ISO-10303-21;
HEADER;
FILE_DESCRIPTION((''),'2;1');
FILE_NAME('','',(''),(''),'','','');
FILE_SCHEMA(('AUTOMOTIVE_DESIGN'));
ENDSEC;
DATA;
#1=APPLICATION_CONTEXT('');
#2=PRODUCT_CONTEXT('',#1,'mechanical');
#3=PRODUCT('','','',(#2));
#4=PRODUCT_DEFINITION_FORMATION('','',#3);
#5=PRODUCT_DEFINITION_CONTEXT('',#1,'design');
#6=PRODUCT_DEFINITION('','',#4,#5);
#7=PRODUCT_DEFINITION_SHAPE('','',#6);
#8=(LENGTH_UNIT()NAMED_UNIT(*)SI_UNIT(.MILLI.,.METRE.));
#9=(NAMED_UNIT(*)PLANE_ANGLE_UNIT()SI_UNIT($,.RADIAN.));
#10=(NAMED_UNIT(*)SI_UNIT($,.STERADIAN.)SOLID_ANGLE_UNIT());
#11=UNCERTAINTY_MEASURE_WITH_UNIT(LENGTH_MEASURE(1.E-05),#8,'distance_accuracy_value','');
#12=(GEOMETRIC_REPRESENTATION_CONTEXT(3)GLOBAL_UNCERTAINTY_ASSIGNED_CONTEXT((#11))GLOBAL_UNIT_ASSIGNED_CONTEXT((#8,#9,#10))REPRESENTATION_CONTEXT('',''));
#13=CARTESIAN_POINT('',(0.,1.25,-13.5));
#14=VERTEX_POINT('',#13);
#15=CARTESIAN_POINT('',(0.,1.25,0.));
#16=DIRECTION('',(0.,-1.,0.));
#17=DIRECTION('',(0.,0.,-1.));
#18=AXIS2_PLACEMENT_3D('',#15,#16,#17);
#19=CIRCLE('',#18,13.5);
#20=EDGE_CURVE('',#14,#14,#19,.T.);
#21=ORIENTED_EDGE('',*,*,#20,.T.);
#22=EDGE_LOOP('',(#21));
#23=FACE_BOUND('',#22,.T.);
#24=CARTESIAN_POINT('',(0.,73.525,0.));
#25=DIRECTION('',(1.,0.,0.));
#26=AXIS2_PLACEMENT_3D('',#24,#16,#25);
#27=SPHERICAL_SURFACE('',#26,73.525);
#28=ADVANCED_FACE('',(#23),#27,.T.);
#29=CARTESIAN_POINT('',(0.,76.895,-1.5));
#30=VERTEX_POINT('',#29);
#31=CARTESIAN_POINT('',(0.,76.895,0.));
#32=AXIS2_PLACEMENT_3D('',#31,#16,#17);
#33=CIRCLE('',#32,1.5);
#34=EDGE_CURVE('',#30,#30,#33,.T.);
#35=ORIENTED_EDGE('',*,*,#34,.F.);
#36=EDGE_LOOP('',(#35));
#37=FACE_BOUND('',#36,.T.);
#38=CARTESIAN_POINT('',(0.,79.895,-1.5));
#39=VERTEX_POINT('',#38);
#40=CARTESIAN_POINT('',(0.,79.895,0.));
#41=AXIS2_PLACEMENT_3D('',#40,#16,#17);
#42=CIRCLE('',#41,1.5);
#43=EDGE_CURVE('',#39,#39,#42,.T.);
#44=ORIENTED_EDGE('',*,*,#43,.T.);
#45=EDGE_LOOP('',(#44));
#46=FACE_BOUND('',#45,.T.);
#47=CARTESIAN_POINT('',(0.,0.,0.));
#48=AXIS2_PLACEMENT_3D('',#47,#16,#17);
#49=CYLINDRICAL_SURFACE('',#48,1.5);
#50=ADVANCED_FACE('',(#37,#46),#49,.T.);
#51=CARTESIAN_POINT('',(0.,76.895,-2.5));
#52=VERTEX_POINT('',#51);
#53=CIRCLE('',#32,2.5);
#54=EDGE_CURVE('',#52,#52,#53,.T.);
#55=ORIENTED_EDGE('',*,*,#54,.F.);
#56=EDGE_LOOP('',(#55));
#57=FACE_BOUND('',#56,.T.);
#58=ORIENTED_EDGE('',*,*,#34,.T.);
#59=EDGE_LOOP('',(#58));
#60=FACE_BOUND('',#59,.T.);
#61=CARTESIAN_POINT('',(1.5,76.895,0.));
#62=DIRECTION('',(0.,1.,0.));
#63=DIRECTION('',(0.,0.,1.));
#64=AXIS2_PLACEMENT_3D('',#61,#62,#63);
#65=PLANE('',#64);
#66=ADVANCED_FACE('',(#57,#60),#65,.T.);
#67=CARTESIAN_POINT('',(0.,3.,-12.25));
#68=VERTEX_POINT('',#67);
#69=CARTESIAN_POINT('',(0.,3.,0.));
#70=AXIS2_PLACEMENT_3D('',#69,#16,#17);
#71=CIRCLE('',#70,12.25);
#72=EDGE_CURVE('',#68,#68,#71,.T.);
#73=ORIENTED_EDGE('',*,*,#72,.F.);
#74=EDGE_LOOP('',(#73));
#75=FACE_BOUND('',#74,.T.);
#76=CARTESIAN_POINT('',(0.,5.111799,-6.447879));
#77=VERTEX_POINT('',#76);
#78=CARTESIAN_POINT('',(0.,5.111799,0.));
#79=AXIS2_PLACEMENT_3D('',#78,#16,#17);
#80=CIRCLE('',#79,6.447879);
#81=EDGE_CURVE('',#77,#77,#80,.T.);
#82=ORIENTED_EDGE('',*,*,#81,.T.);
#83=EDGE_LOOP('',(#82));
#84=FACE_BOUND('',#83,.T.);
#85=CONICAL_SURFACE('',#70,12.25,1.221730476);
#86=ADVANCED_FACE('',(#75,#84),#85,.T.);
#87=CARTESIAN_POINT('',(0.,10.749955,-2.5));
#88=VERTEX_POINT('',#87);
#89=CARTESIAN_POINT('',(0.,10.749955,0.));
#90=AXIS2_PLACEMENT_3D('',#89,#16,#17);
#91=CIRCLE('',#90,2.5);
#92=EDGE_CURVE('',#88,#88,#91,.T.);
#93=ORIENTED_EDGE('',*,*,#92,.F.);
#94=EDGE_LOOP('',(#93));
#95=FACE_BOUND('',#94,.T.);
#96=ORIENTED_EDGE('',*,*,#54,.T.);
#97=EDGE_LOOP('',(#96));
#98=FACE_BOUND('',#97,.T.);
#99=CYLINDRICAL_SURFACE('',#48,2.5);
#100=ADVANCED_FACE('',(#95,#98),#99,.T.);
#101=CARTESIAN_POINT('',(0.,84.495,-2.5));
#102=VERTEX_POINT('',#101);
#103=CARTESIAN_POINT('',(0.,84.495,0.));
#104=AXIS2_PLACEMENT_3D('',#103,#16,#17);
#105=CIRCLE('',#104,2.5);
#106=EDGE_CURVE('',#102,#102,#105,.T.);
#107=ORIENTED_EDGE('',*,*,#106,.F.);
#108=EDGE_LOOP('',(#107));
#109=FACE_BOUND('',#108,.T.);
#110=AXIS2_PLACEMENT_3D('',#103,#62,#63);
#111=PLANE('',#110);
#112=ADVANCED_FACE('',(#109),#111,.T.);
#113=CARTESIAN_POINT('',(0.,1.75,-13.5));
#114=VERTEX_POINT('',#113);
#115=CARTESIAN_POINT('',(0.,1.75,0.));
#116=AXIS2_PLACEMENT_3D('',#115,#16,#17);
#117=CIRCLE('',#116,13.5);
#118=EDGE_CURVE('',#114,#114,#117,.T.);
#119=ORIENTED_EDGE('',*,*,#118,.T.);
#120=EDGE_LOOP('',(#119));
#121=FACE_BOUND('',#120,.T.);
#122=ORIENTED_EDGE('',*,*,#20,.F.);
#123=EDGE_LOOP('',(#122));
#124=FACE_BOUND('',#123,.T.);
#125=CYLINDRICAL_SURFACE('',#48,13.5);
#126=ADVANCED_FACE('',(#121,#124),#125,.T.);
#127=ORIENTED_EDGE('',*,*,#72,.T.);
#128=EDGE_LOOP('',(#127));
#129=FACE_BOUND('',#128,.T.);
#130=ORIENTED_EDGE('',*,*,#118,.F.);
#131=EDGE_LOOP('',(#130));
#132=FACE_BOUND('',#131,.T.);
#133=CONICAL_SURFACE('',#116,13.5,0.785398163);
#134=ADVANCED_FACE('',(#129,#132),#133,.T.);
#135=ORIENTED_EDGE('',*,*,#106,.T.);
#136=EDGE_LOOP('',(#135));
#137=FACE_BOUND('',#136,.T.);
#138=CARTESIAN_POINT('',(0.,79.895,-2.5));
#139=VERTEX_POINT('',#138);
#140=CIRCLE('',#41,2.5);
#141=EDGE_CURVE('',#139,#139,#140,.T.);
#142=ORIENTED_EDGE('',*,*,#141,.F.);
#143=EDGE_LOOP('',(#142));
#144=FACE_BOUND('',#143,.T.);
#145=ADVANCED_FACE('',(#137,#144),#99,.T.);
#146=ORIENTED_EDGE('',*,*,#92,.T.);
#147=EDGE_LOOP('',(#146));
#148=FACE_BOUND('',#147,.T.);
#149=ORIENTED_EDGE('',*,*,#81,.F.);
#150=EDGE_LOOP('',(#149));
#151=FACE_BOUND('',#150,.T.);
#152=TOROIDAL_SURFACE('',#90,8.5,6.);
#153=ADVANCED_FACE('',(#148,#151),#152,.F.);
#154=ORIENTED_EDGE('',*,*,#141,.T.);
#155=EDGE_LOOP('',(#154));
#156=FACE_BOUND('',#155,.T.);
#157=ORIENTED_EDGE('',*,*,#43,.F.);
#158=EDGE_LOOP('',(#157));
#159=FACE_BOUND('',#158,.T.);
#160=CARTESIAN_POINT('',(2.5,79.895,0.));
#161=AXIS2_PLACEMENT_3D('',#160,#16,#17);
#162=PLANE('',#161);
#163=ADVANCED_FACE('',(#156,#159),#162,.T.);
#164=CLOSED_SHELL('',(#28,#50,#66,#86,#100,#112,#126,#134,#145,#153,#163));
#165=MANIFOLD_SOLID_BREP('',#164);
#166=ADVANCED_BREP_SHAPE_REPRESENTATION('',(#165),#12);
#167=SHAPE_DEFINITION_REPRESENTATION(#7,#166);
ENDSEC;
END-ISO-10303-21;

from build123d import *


with BuildPart() as part:
    # Sketch1 → Revolve1 (revolve)
    with BuildSketch(Plane.XY):
        with BuildLine():
            Line((0, 0), (0, 84.495))
            Line((0, 84.495), (2.5, 84.495))
            Line((2.5, 84.495), (2.5, 79.895))
            Line((2.5, 79.895), (1.5, 79.895))
            Line((1.5, 79.895), (1.5, 76.895))
            Line((1.5, 76.895), (2.5, 76.895))
            Line((2.5, 76.895), (2.5, 10.749955013))
            ThreePointArc((2.5, 10.749955013), (3.585087734, 7.308496395), (6.44787914, 5.111799289))
            Line((6.44787914, 5.111799289), (12.25, 3))
            Line((12.25, 3), (13.5, 1.75))
            Line((13.5, 1.75), (13.5, 1.25))
            ThreePointArc((13.5, 1.25), (6.778873431, 0.31316694), (0, 0))
        make_face()
    revolve(axis=Axis((0, 0, 0), (0, 1, 0)))


solid = part.part
